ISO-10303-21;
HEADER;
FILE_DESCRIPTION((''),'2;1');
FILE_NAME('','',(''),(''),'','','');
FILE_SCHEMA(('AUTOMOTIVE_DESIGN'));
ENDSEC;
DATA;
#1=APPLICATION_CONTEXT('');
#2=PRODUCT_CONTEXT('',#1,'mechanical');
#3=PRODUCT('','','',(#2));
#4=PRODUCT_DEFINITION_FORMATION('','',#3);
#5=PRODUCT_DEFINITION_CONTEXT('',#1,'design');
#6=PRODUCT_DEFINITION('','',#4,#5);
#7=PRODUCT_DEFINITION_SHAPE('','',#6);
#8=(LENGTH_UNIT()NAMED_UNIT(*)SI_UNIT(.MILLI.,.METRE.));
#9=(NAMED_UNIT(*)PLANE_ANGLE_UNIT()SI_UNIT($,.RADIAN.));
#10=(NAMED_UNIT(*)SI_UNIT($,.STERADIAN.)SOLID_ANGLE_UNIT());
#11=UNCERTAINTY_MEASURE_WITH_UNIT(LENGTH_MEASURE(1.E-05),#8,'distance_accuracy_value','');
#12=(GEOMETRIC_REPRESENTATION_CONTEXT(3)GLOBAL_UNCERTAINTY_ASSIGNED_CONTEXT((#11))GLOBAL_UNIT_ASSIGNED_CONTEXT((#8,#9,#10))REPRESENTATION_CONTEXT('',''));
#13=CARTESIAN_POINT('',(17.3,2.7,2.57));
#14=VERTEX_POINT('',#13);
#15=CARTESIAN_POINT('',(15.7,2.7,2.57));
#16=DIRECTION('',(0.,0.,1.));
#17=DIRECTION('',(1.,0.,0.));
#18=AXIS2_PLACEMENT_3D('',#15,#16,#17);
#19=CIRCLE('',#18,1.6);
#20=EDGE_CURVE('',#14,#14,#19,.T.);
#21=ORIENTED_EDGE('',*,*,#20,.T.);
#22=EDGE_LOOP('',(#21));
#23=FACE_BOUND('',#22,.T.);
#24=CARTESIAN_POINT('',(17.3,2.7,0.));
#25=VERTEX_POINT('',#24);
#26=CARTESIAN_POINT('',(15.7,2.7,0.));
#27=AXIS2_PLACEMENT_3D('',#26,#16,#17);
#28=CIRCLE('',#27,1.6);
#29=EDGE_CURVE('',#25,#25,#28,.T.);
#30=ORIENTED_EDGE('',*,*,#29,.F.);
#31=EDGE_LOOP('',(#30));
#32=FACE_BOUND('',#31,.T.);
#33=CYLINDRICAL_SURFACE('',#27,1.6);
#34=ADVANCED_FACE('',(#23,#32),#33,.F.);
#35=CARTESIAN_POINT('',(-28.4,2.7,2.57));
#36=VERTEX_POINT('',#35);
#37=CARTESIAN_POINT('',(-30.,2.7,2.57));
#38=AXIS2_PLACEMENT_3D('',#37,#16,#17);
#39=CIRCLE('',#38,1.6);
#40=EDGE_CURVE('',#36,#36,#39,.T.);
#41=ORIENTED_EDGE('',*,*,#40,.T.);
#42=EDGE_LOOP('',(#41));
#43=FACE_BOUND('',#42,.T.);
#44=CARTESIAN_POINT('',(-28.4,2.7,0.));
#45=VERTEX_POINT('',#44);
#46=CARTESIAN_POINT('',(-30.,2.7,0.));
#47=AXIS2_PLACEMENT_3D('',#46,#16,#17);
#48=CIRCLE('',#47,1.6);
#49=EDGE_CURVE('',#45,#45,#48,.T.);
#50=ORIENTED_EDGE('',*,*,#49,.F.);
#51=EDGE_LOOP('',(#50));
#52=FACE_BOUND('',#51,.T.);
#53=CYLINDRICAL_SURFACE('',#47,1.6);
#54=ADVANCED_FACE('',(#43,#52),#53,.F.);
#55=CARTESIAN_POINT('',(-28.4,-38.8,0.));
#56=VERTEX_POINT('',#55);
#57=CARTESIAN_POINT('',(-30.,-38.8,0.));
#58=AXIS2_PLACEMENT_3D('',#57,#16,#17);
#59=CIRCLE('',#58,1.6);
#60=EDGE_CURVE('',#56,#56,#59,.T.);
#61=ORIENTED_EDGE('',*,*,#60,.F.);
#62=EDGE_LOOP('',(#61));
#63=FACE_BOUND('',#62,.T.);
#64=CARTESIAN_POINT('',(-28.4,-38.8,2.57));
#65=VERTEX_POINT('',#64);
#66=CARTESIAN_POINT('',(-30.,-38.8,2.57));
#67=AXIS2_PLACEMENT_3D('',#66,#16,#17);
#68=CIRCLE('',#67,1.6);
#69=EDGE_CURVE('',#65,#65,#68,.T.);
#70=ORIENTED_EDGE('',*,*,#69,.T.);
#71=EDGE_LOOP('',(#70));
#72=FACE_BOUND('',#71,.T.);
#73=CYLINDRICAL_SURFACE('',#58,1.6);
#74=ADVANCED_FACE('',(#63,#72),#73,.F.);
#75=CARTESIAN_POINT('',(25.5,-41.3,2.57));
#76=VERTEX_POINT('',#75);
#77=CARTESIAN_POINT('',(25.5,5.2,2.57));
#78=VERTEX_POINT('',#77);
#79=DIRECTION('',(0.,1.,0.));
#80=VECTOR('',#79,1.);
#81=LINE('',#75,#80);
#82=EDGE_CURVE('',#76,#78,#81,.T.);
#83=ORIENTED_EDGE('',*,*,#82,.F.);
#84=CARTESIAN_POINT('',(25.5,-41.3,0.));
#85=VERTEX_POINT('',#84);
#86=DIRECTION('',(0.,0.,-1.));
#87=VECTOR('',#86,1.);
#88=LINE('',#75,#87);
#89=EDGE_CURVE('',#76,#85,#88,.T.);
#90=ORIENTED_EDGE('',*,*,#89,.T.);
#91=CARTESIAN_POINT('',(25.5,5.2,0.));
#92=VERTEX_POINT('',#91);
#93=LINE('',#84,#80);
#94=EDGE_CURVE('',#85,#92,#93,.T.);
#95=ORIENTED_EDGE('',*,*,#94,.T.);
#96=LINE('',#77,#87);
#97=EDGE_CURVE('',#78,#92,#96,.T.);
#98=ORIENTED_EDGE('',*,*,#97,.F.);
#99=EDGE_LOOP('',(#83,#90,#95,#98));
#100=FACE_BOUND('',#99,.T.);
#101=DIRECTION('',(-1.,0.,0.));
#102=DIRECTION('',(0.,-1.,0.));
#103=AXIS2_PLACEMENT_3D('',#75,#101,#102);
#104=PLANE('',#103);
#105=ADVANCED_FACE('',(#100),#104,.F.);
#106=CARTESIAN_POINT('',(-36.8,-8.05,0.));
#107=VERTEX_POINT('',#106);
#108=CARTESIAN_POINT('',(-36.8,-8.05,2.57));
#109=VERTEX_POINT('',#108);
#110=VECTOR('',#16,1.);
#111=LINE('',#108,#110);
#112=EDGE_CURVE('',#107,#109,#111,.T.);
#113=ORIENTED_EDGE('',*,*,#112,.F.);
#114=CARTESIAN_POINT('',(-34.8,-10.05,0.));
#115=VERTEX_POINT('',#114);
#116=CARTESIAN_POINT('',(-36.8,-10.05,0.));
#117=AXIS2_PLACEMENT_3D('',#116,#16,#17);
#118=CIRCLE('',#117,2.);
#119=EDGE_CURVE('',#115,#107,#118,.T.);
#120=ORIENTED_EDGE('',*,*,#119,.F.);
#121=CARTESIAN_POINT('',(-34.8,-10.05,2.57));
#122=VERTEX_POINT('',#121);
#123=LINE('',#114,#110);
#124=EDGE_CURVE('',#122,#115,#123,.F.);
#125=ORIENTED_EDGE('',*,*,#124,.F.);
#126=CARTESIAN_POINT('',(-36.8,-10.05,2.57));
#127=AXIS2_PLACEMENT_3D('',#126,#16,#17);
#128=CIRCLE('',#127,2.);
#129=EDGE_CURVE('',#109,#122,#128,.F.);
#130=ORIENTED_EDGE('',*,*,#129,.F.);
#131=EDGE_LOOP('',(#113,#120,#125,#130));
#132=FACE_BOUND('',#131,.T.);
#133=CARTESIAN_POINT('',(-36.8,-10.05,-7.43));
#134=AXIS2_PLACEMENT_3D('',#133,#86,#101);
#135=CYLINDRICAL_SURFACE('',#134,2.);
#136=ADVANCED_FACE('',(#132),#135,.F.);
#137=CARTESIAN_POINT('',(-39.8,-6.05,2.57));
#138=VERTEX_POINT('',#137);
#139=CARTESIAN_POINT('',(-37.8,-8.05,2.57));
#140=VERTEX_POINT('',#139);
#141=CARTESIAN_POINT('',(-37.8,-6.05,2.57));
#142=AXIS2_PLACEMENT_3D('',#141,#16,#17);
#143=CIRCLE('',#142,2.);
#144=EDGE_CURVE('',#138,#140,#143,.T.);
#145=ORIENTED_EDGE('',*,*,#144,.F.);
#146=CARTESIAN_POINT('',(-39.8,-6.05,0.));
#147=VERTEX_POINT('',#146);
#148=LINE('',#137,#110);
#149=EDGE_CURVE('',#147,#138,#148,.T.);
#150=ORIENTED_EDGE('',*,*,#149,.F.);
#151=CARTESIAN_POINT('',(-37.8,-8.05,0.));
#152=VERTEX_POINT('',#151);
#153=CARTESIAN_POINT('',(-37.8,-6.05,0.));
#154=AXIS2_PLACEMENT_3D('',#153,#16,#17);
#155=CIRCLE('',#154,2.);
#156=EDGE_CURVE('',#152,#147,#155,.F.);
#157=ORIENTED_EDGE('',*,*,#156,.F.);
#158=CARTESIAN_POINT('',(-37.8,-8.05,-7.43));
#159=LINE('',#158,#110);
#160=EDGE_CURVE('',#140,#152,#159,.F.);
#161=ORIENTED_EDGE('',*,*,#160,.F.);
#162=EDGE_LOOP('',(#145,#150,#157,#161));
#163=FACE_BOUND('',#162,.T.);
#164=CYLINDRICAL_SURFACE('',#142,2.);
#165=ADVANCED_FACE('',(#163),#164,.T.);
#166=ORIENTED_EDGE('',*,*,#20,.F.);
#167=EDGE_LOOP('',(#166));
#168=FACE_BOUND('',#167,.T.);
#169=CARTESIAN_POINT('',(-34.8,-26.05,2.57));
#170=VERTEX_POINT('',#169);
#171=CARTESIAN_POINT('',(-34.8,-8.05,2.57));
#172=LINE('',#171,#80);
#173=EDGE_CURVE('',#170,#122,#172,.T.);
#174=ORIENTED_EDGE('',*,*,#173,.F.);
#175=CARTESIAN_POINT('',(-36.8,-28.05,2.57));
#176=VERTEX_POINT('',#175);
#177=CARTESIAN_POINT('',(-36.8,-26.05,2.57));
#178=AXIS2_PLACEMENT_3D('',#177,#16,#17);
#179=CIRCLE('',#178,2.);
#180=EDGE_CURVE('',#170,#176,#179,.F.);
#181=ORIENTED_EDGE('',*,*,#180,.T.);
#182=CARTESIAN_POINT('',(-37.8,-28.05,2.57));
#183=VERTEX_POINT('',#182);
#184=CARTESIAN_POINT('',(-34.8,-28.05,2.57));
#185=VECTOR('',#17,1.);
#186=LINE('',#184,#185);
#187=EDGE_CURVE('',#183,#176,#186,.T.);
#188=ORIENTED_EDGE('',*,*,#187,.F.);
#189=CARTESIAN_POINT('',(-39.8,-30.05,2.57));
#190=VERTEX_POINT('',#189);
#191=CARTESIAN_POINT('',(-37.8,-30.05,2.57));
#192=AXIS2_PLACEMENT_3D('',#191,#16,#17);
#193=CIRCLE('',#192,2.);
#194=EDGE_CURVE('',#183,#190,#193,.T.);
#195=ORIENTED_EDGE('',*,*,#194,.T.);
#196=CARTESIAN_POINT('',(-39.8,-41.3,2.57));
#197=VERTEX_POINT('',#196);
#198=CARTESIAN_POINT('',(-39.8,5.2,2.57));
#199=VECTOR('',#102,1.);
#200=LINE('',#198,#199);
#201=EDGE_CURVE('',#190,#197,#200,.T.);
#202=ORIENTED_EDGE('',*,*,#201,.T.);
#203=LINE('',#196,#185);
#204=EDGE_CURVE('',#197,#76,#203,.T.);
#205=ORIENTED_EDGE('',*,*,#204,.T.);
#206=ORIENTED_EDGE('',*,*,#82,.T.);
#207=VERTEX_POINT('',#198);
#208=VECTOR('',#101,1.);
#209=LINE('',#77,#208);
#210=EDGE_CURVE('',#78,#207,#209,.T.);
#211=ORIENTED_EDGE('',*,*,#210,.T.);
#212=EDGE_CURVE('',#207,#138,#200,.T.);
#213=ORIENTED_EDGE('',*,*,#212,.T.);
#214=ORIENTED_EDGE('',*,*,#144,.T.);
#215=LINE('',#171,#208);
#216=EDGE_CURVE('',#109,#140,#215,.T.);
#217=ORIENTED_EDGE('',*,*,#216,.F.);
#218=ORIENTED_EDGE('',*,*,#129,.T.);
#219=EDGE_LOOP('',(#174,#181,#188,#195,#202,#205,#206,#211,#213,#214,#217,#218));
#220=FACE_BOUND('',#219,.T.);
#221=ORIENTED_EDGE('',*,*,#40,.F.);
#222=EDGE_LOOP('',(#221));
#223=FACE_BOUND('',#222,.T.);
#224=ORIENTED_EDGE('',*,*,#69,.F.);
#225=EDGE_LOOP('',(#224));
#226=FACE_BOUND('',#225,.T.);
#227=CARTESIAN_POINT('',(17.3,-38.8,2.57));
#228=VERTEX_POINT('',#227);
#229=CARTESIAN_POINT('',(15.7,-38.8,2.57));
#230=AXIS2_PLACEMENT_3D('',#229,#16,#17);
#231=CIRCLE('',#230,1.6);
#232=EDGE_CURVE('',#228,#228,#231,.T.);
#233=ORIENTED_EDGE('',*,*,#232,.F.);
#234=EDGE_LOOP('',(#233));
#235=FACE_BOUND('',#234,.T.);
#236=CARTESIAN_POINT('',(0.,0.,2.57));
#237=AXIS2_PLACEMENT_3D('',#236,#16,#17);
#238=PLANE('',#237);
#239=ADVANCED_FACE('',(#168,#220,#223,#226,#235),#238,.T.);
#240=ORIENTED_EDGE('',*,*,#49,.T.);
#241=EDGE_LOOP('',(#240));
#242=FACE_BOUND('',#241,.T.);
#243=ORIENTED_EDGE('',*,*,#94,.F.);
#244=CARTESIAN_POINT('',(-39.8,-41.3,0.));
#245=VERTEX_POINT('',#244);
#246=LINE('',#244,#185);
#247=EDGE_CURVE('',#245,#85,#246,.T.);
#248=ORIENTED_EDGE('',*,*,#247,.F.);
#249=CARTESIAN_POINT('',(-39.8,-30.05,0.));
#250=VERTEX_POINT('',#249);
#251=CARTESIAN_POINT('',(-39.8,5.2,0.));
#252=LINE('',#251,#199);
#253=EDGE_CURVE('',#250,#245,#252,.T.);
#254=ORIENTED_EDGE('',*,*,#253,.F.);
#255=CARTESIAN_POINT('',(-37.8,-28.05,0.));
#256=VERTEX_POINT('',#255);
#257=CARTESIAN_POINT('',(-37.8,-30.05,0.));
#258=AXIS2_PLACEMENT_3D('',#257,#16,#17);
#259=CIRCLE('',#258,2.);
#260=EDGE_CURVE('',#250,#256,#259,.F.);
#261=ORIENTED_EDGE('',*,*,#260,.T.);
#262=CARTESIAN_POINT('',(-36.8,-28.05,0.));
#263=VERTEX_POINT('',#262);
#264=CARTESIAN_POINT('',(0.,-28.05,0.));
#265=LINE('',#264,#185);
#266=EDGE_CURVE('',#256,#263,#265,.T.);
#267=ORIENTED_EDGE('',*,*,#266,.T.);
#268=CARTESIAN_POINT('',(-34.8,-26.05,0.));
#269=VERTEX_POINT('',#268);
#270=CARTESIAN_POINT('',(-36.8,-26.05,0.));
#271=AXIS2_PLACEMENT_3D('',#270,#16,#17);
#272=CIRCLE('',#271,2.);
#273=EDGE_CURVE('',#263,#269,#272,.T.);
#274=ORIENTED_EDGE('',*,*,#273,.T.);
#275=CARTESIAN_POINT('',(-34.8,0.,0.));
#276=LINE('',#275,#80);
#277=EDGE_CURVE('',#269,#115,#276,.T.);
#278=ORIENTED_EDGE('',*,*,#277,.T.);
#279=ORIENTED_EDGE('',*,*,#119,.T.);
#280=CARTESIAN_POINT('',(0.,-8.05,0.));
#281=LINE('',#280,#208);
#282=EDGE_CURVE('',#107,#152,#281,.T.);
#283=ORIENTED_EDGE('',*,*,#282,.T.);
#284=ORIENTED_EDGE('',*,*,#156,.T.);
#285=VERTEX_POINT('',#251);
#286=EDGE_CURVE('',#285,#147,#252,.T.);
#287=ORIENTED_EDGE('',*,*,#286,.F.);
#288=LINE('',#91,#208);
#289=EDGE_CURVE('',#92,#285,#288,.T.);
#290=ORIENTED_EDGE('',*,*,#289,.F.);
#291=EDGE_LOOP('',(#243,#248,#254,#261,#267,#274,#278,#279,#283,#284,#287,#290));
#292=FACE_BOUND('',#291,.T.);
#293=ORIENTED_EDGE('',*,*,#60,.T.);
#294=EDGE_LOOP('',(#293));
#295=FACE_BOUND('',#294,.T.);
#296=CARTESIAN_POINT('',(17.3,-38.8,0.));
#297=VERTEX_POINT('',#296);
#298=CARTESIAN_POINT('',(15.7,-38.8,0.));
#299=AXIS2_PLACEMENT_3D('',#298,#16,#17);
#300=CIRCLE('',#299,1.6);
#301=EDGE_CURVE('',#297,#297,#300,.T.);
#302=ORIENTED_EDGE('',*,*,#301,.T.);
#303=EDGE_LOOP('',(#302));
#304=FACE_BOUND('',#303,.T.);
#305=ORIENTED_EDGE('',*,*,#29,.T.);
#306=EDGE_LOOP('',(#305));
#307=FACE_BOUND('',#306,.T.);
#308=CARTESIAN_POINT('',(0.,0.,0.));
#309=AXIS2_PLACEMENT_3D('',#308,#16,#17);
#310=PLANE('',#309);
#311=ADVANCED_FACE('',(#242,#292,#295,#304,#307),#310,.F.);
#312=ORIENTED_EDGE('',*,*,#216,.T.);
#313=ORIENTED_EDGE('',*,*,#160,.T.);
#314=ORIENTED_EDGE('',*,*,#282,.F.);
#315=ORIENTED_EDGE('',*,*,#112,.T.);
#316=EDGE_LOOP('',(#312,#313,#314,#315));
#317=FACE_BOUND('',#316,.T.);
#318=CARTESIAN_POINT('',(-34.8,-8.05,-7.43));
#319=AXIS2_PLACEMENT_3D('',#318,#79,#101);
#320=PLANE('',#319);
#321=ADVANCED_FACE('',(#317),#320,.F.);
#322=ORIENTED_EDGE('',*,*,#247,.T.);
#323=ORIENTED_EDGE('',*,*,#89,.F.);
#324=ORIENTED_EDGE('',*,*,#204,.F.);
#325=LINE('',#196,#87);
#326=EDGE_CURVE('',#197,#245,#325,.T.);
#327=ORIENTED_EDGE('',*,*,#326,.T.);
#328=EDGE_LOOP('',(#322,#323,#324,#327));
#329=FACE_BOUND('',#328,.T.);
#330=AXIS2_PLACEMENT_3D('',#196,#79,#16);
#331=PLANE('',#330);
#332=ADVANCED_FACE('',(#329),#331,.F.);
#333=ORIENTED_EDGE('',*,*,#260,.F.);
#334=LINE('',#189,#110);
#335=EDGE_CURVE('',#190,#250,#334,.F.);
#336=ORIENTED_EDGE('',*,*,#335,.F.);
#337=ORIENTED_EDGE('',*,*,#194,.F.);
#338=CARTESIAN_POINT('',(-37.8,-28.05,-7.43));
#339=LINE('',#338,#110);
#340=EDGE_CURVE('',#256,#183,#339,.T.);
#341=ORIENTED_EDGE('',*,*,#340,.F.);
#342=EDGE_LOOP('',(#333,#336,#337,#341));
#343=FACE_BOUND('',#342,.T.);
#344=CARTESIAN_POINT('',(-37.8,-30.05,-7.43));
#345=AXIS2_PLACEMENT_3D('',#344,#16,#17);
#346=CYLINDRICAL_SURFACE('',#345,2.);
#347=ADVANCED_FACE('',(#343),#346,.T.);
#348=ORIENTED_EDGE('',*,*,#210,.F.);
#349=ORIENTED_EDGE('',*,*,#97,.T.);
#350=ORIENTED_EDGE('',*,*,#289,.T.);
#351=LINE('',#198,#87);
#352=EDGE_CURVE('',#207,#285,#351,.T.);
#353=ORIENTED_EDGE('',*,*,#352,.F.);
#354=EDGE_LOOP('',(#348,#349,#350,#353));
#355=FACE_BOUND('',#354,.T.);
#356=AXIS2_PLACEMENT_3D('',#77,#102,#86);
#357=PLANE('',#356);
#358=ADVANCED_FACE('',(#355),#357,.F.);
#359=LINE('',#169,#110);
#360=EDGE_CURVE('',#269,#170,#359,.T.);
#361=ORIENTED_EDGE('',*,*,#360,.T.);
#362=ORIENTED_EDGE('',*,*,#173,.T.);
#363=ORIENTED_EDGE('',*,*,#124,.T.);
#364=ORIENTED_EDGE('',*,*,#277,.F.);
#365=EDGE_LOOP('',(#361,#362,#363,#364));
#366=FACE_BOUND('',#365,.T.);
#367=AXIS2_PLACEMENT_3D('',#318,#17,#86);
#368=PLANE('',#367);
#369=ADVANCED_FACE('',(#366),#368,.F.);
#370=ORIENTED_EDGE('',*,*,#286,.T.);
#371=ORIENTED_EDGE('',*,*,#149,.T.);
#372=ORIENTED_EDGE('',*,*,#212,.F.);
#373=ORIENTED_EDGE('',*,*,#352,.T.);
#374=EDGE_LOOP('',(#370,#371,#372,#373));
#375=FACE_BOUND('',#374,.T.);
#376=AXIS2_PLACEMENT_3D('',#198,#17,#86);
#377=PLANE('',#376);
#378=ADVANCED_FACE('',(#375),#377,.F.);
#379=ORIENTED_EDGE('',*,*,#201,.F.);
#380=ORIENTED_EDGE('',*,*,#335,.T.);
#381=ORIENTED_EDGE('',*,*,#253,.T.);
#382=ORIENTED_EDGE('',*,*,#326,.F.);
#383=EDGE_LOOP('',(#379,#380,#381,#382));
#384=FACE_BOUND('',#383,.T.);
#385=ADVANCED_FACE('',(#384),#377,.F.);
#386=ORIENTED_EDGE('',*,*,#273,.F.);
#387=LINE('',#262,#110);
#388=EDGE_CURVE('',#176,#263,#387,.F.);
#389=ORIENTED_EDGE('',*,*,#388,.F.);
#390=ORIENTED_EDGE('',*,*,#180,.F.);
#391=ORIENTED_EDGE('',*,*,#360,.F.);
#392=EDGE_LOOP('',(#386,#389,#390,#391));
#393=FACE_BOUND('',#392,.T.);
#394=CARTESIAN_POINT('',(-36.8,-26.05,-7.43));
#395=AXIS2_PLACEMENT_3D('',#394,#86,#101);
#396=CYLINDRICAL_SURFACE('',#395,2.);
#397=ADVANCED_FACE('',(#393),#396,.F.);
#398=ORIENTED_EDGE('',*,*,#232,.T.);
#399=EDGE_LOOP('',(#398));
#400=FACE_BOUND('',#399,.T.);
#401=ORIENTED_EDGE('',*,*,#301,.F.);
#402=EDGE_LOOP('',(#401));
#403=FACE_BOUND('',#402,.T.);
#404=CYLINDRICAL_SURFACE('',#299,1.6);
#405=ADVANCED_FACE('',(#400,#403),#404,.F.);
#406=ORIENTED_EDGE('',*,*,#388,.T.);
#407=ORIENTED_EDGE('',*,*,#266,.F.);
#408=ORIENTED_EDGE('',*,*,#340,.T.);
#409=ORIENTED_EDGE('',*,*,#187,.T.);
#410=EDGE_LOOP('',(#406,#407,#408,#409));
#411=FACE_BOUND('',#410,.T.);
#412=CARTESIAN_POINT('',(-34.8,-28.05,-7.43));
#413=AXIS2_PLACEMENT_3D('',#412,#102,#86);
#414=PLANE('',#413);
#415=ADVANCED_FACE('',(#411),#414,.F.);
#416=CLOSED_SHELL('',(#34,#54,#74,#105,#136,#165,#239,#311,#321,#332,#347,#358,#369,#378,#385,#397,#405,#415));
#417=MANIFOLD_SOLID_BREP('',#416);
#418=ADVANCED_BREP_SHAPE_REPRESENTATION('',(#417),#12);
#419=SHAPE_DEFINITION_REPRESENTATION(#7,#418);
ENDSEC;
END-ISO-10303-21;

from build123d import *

# Parameters (mm, degrees)
SKETCH1_W           = 65.3
SKETCH1_H           = 46.5
BOSS_EXTRUDE1_DEPTH = 2.57
SKETCH2_R           = 1.6
CUT_EXTRUDE2_DEPTH  = 2.57
SKETCH3_R           = 5
CUT_EXTRUDE3_DEPTH  = 2.57
SKETCH4_W           = 5
SKETCH4_H           = 20
CUT_EXTRUDE4_DEPTH  = 10
FILLET1_R           = 2


with BuildPart() as part:
    # Sketch1 → Boss-Extrude1 (new body)
    with BuildSketch(Plane.XY):
        with Locations((-7.15, -18.05)):
            Rectangle(SKETCH1_W, SKETCH1_H)
    extrude(amount=BOSS_EXTRUDE1_DEPTH)

    # Sketch2 → Cut-Extrude2 (cut)
    with BuildSketch(Plane.XY.offset(2.57)):
        with Locations((15.7, -38.8)):
            Circle(SKETCH2_R)
        with Locations((15.7, 2.7)):
            Circle(SKETCH2_R)
        with Locations((-30, 2.7)):
            Circle(SKETCH2_R)
        with Locations((-30, -38.8)):
            Circle(SKETCH2_R)
    extrude(amount=-CUT_EXTRUDE2_DEPTH, mode=Mode.SUBTRACT)

    # Sketch3 → Cut-Extrude3 (cut)
    with BuildSketch(Plane.XY.offset(2.57)):
        with Locations((-39.8, -18.05)):
            Circle(SKETCH3_R)
    extrude(amount=-CUT_EXTRUDE3_DEPTH, mode=Mode.SUBTRACT)

    # Sketch4 → Cut-Extrude4 (cut)
    with BuildSketch(Plane.XY.offset(2.57)):
        with Locations((-37.3, -18.05)):
            Rectangle(SKETCH4_W, SKETCH4_H)
    extrude(amount=-CUT_EXTRUDE4_DEPTH, mode=Mode.SUBTRACT)

    # Fillet1
    fillet1_edges = [part.edges().sort_by_distance(p)[0] for p in [
        (-39.8, -8.05, 1.285),
        (-34.8, -28.05, 1.285),
        (-39.8, -28.05, 1.285),
        (-34.8, -8.05, 1.285),
    ]]
    fillet(fillet1_edges, radius=FILLET1_R)


solid = part.part
